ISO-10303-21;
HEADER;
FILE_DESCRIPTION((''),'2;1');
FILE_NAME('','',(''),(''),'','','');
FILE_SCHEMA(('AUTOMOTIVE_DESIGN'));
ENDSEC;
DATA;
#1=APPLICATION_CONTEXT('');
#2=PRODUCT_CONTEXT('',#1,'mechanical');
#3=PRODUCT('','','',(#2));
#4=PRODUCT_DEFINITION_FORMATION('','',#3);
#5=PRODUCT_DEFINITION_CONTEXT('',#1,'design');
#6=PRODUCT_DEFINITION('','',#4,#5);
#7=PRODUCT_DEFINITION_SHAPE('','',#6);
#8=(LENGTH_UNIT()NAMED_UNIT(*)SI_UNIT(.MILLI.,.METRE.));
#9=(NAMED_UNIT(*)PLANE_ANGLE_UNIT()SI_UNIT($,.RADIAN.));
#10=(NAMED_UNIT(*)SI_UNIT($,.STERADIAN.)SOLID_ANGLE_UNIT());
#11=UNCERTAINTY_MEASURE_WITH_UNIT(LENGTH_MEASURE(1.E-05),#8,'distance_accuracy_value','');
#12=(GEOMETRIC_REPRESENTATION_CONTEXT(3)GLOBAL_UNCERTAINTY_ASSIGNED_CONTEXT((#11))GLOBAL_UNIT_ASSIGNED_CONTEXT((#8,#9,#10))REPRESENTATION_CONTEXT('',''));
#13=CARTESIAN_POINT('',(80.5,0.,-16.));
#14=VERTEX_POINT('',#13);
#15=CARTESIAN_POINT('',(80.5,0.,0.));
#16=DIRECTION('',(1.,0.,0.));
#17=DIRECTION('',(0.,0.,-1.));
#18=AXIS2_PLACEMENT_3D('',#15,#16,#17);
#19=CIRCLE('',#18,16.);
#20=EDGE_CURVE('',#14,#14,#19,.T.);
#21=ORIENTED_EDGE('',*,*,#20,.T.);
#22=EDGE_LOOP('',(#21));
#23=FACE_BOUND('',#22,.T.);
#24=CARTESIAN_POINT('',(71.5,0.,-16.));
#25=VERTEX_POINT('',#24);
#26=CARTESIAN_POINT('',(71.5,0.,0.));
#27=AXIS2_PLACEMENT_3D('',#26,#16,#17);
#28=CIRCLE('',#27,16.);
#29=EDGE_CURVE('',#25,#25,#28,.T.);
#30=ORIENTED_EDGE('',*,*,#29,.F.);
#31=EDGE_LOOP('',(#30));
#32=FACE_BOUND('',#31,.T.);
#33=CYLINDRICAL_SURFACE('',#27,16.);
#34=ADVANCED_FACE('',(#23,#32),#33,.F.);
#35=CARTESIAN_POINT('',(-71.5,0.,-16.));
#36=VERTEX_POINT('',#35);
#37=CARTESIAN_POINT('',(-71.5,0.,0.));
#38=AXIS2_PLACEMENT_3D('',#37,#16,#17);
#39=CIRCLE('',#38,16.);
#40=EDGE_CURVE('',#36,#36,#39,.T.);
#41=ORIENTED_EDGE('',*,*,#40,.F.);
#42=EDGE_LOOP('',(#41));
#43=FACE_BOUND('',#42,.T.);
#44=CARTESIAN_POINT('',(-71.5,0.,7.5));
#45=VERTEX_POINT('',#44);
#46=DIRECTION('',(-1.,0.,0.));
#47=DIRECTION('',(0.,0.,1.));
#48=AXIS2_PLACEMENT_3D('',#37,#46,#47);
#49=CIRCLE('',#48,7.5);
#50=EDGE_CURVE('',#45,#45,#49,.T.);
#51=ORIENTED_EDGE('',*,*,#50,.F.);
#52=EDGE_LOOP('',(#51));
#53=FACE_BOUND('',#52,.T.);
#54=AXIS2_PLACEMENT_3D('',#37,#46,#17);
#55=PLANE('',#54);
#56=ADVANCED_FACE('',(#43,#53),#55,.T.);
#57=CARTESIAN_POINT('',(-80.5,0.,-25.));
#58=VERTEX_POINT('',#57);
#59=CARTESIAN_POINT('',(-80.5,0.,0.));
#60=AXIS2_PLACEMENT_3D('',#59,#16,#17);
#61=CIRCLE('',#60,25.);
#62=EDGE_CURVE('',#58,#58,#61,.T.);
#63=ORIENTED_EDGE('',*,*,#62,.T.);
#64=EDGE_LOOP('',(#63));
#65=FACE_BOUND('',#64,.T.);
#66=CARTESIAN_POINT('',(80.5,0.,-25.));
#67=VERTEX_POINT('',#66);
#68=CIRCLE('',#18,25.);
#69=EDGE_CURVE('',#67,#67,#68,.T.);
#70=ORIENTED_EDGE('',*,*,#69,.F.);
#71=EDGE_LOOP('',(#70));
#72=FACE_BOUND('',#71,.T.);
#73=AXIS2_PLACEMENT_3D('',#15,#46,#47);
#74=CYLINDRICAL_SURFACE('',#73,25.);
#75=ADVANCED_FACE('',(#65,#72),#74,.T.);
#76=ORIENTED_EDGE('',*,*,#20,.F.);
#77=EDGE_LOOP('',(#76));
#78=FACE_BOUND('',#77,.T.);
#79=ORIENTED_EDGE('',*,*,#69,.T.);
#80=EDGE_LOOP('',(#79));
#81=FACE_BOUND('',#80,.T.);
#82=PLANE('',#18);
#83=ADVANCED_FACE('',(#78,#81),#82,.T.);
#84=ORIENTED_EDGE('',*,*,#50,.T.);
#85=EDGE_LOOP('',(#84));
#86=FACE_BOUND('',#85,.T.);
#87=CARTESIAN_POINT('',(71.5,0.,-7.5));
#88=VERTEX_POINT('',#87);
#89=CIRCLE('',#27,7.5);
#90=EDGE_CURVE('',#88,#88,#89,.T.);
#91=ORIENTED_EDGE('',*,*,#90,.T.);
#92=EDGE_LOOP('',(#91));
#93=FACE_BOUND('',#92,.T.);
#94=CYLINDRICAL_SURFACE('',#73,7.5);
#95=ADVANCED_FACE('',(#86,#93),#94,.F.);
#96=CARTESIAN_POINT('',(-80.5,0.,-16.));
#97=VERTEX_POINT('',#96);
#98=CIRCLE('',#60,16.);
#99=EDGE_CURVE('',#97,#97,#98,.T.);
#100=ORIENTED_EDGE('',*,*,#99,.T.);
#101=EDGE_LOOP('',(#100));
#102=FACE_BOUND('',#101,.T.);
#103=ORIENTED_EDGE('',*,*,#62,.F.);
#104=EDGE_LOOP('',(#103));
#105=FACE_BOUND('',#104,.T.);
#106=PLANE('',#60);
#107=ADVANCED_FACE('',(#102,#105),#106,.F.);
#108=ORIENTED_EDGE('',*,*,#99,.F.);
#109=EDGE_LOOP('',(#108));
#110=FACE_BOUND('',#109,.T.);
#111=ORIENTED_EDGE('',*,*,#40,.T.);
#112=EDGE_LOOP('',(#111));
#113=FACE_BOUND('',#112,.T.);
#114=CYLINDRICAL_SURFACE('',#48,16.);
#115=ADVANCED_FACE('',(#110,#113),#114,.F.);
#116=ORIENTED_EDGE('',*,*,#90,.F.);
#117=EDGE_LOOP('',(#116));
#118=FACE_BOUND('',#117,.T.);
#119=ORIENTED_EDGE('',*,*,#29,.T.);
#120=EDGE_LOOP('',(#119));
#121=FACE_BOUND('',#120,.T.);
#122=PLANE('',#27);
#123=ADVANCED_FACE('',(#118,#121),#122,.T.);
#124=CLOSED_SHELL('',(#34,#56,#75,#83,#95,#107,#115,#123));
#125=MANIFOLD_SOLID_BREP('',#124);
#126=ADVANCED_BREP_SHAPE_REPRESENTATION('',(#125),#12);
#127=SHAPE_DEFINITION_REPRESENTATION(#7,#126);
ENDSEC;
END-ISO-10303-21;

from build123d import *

# Parameters (mm, degrees)
IZIM1_R                     = 25
IZIM1_R_2                   = 7.5
Y_KSEKLIK_EKSTR_ZYON1_DEPTH = 80.5
IZIM2_R                     = 16
KES_EKSTR_ZYON1_DEPTH       = 9


with BuildPart() as part:
    # Çizim1 → Yükseklik-Ekstrüzyon1 (new, symmetric)
    with BuildSketch(Plane(origin=(0, 0, 0), x_dir=(0, 0, -1), z_dir=(1, 0, 0))):
        Circle(IZIM1_R)
        Circle(IZIM1_R_2, mode=Mode.SUBTRACT)
    extrude(amount=Y_KSEKLIK_EKSTR_ZYON1_DEPTH, both=True)

    # Çizim2 → Kes-Ekstrüzyon1 (cut)
    with BuildSketch(Plane(origin=(80.5, 0, 0), x_dir=(0, 0, -1), z_dir=(1, 0, 0))):
        Circle(IZIM2_R)
    kes_ekstr_zyon1 = extrude(amount=-KES_EKSTR_ZYON1_DEPTH, mode=Mode.SUBTRACT)

    # Aynalama1: Kes-Ekstrüzyon1 across plane
    add(kes_ekstr_zyon1.mirror(Plane(origin=(0, 0, 0), x_dir=(0, 0, 1), z_dir=(1, 0, 0))), mode=Mode.SUBTRACT)


solid = part.part
